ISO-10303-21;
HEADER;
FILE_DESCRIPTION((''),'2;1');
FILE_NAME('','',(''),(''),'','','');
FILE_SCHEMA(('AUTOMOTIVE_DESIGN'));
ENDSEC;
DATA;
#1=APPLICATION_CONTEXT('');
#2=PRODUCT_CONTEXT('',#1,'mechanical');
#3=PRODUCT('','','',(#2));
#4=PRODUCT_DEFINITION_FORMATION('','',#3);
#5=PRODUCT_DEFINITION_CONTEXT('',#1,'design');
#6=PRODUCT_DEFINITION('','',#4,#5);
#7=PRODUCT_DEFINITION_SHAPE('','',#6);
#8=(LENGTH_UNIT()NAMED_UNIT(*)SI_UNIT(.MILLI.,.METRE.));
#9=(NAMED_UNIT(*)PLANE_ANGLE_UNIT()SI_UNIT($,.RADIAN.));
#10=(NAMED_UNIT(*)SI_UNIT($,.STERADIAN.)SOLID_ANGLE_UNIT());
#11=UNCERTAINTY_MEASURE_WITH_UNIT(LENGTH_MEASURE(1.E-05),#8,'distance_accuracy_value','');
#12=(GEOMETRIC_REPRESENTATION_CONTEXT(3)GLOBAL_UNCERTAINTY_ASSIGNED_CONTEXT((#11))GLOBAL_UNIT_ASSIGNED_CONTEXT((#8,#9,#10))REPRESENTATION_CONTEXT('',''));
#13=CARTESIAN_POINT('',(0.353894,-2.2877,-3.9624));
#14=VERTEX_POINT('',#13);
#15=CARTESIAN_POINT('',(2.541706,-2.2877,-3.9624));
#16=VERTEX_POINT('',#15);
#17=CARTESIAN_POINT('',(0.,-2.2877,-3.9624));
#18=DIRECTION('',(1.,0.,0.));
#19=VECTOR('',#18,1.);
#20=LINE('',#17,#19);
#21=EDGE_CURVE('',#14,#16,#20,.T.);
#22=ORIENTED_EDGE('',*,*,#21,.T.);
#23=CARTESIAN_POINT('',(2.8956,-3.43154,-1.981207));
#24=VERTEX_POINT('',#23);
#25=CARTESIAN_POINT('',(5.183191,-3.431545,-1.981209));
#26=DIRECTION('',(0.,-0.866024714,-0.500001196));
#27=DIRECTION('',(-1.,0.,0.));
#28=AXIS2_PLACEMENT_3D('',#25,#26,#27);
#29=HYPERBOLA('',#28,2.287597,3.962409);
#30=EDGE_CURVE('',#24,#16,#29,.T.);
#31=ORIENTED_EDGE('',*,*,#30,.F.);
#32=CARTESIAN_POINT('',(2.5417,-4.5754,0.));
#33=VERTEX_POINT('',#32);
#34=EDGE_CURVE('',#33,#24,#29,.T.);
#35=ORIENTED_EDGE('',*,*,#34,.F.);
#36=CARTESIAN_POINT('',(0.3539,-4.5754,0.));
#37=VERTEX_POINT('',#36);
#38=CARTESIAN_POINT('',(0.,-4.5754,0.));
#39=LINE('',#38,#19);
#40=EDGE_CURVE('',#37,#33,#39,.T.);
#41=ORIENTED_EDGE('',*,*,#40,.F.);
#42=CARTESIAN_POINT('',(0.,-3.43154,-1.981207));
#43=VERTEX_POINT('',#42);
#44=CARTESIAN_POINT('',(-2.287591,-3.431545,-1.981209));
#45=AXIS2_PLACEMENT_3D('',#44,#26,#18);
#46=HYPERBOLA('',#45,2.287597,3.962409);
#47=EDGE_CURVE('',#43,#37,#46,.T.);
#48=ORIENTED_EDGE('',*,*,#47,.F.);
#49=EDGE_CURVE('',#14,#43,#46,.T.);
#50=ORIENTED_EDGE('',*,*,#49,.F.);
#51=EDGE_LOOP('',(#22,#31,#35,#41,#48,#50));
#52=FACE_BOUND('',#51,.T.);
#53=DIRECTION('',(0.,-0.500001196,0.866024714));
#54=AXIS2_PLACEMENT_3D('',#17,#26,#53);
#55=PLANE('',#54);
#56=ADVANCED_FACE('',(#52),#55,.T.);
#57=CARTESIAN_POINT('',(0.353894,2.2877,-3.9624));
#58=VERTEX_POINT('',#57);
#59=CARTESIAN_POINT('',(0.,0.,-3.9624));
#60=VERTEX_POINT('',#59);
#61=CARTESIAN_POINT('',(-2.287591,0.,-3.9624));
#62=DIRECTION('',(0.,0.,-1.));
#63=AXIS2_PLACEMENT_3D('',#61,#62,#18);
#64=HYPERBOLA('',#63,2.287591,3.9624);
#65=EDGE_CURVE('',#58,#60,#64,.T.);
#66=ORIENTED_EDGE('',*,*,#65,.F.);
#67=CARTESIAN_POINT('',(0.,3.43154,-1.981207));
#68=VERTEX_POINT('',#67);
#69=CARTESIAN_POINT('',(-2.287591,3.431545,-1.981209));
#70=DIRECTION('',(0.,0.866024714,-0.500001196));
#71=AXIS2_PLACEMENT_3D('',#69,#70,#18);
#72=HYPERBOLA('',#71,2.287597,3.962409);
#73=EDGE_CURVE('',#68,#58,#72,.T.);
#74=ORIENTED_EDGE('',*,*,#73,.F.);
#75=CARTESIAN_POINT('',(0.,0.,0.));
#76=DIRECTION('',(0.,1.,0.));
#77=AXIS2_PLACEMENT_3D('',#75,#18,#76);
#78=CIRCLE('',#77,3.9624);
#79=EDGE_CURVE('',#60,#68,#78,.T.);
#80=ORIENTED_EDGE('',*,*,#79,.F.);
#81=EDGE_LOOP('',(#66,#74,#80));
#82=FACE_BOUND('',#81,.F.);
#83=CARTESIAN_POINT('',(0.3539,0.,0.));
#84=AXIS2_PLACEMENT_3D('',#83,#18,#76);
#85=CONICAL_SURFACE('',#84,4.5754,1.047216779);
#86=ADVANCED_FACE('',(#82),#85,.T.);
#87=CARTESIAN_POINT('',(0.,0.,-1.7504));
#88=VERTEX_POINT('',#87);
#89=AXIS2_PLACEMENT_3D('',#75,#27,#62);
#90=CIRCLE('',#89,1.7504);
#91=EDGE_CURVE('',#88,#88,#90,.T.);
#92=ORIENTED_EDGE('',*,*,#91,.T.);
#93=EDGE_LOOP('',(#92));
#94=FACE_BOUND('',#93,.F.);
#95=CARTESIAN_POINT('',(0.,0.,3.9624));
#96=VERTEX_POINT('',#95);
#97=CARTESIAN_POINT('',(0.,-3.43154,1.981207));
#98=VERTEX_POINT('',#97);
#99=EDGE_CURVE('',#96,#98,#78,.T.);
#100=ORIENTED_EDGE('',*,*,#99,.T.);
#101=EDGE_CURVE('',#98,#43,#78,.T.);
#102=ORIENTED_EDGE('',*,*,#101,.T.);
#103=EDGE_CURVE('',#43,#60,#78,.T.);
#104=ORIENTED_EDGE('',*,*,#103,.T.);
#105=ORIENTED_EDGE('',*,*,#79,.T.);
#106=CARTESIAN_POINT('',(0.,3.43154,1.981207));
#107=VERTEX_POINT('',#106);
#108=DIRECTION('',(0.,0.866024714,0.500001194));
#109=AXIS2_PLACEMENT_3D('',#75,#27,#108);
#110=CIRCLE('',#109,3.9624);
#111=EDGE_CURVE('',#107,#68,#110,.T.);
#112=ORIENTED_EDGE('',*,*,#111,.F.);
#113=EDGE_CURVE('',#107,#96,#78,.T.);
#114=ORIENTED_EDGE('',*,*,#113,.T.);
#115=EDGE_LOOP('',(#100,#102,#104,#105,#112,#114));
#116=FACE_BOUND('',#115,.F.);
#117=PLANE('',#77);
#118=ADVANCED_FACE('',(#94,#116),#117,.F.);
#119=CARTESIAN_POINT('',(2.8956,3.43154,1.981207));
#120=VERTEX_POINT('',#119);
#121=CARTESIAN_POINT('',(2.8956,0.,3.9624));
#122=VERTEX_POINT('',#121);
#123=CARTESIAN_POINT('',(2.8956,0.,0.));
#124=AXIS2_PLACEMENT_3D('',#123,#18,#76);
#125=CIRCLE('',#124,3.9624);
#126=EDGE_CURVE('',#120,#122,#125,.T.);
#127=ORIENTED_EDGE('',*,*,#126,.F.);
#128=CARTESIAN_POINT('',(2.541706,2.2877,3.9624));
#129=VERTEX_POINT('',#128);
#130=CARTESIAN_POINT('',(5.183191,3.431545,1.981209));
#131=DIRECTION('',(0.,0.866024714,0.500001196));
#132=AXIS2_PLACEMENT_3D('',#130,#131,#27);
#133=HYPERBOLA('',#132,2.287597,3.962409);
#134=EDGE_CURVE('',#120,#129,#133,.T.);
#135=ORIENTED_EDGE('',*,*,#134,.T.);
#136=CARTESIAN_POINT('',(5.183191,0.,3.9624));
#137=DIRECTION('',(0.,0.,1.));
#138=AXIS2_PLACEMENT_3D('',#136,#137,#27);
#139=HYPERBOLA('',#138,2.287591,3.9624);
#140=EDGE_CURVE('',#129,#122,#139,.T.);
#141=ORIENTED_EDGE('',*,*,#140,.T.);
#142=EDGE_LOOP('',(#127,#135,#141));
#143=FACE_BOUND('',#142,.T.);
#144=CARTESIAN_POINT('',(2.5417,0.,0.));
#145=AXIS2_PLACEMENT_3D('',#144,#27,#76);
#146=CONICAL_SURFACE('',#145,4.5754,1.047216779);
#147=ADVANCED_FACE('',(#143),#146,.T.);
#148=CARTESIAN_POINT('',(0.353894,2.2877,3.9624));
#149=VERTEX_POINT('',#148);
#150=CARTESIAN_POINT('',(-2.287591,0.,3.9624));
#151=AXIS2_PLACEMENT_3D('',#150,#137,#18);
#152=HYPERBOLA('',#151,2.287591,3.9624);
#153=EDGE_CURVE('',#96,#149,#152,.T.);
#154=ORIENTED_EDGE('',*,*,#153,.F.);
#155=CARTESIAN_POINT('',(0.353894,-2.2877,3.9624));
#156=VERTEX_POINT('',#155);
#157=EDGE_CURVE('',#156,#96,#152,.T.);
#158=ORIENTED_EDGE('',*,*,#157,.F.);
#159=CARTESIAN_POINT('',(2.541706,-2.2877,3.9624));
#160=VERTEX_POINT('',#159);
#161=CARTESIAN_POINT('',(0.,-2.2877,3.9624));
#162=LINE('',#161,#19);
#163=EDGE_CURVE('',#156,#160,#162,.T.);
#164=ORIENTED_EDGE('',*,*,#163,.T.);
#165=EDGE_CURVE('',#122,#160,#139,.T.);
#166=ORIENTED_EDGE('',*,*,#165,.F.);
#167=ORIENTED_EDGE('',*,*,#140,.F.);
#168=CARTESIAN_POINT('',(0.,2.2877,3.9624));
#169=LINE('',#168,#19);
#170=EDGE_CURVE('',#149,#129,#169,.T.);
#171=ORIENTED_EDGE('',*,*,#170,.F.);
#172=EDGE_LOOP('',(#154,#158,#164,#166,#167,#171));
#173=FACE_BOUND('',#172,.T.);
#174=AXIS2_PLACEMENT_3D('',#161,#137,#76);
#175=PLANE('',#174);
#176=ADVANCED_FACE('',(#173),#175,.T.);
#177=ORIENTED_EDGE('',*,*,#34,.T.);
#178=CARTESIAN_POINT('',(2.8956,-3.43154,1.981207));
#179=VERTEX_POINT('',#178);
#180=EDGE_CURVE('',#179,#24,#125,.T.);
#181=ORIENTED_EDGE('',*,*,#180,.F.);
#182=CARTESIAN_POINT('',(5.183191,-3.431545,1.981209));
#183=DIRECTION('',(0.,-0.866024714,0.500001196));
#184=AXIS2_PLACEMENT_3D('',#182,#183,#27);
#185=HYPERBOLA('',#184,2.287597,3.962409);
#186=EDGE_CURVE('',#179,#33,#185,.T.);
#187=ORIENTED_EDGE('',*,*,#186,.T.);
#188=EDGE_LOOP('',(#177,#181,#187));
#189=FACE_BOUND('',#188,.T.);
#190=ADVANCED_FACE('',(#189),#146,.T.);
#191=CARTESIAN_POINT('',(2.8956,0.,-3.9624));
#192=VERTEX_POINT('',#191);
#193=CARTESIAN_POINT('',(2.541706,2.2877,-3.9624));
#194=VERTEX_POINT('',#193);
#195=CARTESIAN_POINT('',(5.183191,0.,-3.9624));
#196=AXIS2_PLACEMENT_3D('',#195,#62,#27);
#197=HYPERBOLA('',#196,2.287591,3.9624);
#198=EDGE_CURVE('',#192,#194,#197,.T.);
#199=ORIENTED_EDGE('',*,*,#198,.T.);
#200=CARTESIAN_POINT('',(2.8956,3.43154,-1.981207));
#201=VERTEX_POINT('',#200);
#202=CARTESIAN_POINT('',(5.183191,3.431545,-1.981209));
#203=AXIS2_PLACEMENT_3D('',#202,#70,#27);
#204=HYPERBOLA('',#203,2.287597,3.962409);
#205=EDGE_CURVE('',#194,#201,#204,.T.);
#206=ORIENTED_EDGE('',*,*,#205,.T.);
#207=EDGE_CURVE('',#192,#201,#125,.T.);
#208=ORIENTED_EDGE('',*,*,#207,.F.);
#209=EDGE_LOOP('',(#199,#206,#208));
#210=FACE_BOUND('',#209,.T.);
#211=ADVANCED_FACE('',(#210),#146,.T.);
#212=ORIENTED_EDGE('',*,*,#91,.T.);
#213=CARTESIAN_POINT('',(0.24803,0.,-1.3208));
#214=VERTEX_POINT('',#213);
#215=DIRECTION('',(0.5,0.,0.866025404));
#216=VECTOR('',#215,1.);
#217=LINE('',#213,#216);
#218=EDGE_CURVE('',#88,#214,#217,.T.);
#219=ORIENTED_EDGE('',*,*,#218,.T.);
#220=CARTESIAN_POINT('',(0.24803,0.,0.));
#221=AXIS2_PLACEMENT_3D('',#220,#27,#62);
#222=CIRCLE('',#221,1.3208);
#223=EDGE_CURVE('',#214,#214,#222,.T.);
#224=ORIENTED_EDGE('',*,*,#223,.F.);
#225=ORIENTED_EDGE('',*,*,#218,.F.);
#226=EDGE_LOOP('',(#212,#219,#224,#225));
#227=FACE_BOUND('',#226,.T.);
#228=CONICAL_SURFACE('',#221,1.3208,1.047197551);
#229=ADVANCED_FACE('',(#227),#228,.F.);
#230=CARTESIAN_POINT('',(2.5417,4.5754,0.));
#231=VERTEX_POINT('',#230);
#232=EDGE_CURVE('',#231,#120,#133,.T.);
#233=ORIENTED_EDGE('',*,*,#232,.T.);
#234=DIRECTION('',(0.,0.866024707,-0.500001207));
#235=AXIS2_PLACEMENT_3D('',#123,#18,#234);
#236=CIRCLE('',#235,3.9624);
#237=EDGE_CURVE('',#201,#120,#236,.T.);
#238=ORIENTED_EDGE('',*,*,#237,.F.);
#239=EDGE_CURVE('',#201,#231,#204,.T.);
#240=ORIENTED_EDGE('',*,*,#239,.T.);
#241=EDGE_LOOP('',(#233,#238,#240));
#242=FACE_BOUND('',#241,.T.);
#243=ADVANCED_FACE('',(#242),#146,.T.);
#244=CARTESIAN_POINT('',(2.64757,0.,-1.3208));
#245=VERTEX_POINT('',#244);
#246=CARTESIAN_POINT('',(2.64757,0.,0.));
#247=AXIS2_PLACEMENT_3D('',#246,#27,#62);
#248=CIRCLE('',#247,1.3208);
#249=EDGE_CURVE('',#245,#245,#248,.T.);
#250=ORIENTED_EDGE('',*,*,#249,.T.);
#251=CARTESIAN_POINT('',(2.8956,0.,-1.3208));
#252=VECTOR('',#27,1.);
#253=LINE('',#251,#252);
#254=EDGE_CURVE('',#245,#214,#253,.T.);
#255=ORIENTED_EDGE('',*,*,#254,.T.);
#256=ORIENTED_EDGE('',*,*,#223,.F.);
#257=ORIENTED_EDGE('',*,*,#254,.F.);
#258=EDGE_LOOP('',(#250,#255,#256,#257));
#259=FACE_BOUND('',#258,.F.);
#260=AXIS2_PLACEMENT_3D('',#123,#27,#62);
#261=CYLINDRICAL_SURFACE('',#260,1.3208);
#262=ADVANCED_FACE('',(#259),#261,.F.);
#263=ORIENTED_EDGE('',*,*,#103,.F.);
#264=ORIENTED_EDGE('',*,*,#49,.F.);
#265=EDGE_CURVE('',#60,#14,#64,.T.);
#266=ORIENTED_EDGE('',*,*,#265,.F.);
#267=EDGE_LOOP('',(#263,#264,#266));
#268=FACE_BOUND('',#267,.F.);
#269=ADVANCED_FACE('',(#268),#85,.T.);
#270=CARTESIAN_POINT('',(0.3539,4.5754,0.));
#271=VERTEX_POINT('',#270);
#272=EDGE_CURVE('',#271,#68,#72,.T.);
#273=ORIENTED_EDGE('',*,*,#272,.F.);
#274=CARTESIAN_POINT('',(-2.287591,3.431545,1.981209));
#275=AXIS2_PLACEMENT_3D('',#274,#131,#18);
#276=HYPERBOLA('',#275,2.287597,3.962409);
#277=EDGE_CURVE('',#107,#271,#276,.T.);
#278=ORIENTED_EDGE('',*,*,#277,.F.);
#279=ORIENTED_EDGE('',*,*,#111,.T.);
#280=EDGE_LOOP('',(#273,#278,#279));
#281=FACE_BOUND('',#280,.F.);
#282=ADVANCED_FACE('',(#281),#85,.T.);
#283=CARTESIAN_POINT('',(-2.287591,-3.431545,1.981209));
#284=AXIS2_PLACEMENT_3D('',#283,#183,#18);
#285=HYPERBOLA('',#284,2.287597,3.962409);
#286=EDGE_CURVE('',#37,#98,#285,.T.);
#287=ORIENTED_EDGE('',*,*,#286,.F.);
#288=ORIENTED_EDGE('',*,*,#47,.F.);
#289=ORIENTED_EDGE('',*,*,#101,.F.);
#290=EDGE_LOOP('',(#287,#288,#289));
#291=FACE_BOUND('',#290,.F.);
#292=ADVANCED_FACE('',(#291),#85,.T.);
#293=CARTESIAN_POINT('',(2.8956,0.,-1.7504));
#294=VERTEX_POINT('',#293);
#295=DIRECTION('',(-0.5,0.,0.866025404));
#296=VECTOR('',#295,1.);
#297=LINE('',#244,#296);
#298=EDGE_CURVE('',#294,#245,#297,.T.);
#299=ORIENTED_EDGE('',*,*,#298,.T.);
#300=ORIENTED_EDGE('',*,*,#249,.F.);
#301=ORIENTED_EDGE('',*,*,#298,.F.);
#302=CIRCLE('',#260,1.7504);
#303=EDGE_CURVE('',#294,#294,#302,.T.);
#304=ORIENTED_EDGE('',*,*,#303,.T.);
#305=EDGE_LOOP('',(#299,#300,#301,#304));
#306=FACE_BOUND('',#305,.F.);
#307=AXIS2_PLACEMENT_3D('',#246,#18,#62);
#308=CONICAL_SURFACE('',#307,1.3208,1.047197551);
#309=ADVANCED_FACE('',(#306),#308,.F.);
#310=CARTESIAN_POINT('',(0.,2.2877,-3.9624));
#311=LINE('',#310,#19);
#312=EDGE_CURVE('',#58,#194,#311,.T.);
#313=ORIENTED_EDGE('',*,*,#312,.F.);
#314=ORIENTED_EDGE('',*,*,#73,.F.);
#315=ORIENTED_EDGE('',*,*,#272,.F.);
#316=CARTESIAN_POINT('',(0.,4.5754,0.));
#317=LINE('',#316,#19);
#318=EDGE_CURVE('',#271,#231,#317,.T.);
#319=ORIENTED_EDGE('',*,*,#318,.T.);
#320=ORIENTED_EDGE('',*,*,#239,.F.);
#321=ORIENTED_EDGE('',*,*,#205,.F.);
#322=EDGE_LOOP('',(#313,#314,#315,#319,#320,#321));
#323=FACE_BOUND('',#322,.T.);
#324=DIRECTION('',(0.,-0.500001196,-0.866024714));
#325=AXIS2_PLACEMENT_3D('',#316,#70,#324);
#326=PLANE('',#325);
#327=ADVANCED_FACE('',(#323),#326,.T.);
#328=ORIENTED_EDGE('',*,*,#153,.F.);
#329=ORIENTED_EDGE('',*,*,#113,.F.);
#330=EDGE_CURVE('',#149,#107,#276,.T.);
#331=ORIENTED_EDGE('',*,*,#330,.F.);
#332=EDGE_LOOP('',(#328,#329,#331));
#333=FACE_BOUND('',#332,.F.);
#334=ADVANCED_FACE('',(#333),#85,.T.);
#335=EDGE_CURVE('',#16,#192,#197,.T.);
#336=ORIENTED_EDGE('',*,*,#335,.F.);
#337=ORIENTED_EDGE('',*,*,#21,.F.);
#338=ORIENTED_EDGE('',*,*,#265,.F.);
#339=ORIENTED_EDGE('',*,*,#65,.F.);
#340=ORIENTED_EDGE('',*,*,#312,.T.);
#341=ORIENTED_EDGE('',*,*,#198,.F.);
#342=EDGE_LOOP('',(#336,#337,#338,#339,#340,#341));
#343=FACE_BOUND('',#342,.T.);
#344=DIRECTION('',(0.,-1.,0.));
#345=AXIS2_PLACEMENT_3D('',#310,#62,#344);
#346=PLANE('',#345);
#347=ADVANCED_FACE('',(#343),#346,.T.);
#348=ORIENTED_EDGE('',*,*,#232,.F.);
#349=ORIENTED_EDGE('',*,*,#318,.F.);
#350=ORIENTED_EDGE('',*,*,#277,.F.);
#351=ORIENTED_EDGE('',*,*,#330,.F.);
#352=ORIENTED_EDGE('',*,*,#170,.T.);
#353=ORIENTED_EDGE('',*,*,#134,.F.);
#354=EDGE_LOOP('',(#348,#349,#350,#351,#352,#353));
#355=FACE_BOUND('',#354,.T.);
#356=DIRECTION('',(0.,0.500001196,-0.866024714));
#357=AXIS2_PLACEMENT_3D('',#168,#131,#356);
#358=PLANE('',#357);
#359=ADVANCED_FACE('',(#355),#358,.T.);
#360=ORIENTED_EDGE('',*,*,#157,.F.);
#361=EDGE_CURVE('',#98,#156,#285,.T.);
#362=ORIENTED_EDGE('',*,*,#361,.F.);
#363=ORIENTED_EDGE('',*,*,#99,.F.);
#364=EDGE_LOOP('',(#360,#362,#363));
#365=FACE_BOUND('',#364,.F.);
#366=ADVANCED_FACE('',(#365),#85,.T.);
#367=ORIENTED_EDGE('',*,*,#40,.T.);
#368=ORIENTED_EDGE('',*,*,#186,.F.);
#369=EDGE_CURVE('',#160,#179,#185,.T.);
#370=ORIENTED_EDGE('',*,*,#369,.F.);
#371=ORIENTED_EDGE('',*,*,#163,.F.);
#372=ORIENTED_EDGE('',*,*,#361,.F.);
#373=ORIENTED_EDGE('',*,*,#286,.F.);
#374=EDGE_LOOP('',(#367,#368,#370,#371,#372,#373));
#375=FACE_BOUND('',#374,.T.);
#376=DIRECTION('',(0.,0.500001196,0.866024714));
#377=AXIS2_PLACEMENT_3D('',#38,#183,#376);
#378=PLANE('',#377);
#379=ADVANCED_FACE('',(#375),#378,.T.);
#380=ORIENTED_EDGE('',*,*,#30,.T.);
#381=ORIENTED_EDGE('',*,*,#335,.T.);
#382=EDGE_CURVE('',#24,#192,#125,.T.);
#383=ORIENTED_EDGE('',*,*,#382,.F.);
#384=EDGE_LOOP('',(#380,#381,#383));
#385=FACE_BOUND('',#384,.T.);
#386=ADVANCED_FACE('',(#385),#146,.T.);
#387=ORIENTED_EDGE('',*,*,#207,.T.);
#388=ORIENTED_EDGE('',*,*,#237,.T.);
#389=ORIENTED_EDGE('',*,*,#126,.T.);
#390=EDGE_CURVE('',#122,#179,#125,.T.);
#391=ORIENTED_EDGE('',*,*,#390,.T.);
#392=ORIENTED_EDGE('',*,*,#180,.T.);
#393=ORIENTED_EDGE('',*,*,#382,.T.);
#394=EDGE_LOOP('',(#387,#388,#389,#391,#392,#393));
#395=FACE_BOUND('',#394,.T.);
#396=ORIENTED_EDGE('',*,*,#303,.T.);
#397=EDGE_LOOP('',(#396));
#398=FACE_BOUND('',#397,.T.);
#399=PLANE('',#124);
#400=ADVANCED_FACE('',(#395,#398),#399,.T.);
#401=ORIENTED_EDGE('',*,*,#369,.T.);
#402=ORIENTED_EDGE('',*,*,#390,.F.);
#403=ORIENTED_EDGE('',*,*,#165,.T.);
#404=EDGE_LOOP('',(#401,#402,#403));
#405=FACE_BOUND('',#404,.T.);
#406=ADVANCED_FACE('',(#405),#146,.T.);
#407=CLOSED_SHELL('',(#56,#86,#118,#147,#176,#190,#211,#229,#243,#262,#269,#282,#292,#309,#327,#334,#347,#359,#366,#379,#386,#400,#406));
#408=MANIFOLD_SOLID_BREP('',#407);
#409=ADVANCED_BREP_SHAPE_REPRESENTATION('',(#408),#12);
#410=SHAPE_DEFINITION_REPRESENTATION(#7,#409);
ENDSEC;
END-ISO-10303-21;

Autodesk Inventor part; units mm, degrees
ref_plane "YZ Plane" through (0, 0, 0) normal (1, 0, 0) x (0, 1, 0)
ref_plane "XZ Plane" through (0, 0, 0) normal (0, 1, 0) x (-1, 0, 0)
sketch "Sketch1" plane through (0, 0, 0) normal (1, 0, 0) x (0, 1, 0)
  line L0 (-4.5754, 0) -> (-2.2877, 3.9624)
  line L1 (-2.2877, 3.9624) -> (2.2877, 3.9624)
  line L2 (2.2877, 3.9624) -> (4.5754, 0)
  line L3 (4.5754, 0) -> (2.2877, -3.9624)
  line L4 (2.2877, -3.9624) -> (-2.2877, -3.9624)
  line L5 (-2.2877, -3.9624) -> (-4.5754, 0)
  point P0 (0, 0)
  point P1 (0, 0)
  dimension "d0" = 9.1508
extrude "Body" add sketch "Sketch1" along normal blind 2.8956
sketch "Sketch2" plane through (0, 0, 0) normal (0, 0, 1) x (1, 0, 0)
  line L0 (0, 2.2877) -> (0, 4.5754) projected
  line L1 (0, 4.5754) -> (2.8956, 4.5754) projected
  line L2 (2.8956, 2.2877) -> (2.8956, 4.5754) projected
  line L3 (-0.5791, 0) -> (3.4747, 0) projected
  line L4 (0.3539, 4.5754) -> (0, 3.9624)
  line L5 (2.5417, 4.5754) -> (2.8956, 3.9624)
  dimension "d3" = 30
  dimension "d4" = 30
  dimension "d5" = 7.9248
  dimension "d6" = 7.9248
revolve "Chamfer1" cut sketch "Sketch2" angle 360 about axis through (-10, 0, 0) along (1, 0, 0)
sketch "Sketch3" plane through (2.8956, 0, 0) normal (1, 0, 0) x (0, 0, -1)
  arc A0 (-1.9812, -3.4315) -> (1.9812, -3.4315) centre (0, 0) ccw projected
hole "Thread" at (2.8956, 0, 0) direction (-1, 0, 0) diameter 2.6416 end through all thread size "6-32 UNC" class "2B" standard "ANSI Unified Screw Threads"
chamfer "Chamfer2" distance 0.4296 angle 30 1 edges at (2.8956, 0, 1.3208) measured on face at (2.8956, 3.0642, -0.0531)
chamfer "Chamfer3" distance 0.4296 angle 30 1 edges at (0, 0, 1.3208) measured on face at (0, -3.0642, -0.0531)
ref_plane "Work Plane1" through (-9.5512, 0, 0) normal (0, -0.866, -0.5) x (1, 0, 0)
equation "\"d0\" = 1.1547 * SW"
equation "\"d1\" = KOH"
equation "\"d3\" = ANG1"
equation "\"d4\" = ANG2"
equation "\"d5\" = SW0"
equation "\"d6\" = SW01"
equation "\"d8\" = -0.5 * GD1 + 0.5 * NND"
equation "\"d40\" = -0.5 * GD1 + 0.5 * NND"
equation "\"d10\" = -0.5 * GD1 + 0.5 * NND"
equation "\"d41\" = -0.5 * GD1 + 0.5 * NND"
equation "\"ANG1\" = 30deg"
equation "\"ANG2\" = 30deg"
equation "\"NND\" = 3.5052"
equation "\"KOH\" = 2.8956"
equation "\"SW\" = 7.9248"
equation "\"SW0\" = SW"
equation "\"SW01\" = SW"
equation "\"THREADDIA\" = 3.5052"
equation "\"TOA\" = 30deg"
equation "\"E0\" = 1.155 * SW"
equation "\"GD1\" = 2.64594"
properties part number "ANSI B18.2.2 - 6 - 32" material "Steel, Mild"
